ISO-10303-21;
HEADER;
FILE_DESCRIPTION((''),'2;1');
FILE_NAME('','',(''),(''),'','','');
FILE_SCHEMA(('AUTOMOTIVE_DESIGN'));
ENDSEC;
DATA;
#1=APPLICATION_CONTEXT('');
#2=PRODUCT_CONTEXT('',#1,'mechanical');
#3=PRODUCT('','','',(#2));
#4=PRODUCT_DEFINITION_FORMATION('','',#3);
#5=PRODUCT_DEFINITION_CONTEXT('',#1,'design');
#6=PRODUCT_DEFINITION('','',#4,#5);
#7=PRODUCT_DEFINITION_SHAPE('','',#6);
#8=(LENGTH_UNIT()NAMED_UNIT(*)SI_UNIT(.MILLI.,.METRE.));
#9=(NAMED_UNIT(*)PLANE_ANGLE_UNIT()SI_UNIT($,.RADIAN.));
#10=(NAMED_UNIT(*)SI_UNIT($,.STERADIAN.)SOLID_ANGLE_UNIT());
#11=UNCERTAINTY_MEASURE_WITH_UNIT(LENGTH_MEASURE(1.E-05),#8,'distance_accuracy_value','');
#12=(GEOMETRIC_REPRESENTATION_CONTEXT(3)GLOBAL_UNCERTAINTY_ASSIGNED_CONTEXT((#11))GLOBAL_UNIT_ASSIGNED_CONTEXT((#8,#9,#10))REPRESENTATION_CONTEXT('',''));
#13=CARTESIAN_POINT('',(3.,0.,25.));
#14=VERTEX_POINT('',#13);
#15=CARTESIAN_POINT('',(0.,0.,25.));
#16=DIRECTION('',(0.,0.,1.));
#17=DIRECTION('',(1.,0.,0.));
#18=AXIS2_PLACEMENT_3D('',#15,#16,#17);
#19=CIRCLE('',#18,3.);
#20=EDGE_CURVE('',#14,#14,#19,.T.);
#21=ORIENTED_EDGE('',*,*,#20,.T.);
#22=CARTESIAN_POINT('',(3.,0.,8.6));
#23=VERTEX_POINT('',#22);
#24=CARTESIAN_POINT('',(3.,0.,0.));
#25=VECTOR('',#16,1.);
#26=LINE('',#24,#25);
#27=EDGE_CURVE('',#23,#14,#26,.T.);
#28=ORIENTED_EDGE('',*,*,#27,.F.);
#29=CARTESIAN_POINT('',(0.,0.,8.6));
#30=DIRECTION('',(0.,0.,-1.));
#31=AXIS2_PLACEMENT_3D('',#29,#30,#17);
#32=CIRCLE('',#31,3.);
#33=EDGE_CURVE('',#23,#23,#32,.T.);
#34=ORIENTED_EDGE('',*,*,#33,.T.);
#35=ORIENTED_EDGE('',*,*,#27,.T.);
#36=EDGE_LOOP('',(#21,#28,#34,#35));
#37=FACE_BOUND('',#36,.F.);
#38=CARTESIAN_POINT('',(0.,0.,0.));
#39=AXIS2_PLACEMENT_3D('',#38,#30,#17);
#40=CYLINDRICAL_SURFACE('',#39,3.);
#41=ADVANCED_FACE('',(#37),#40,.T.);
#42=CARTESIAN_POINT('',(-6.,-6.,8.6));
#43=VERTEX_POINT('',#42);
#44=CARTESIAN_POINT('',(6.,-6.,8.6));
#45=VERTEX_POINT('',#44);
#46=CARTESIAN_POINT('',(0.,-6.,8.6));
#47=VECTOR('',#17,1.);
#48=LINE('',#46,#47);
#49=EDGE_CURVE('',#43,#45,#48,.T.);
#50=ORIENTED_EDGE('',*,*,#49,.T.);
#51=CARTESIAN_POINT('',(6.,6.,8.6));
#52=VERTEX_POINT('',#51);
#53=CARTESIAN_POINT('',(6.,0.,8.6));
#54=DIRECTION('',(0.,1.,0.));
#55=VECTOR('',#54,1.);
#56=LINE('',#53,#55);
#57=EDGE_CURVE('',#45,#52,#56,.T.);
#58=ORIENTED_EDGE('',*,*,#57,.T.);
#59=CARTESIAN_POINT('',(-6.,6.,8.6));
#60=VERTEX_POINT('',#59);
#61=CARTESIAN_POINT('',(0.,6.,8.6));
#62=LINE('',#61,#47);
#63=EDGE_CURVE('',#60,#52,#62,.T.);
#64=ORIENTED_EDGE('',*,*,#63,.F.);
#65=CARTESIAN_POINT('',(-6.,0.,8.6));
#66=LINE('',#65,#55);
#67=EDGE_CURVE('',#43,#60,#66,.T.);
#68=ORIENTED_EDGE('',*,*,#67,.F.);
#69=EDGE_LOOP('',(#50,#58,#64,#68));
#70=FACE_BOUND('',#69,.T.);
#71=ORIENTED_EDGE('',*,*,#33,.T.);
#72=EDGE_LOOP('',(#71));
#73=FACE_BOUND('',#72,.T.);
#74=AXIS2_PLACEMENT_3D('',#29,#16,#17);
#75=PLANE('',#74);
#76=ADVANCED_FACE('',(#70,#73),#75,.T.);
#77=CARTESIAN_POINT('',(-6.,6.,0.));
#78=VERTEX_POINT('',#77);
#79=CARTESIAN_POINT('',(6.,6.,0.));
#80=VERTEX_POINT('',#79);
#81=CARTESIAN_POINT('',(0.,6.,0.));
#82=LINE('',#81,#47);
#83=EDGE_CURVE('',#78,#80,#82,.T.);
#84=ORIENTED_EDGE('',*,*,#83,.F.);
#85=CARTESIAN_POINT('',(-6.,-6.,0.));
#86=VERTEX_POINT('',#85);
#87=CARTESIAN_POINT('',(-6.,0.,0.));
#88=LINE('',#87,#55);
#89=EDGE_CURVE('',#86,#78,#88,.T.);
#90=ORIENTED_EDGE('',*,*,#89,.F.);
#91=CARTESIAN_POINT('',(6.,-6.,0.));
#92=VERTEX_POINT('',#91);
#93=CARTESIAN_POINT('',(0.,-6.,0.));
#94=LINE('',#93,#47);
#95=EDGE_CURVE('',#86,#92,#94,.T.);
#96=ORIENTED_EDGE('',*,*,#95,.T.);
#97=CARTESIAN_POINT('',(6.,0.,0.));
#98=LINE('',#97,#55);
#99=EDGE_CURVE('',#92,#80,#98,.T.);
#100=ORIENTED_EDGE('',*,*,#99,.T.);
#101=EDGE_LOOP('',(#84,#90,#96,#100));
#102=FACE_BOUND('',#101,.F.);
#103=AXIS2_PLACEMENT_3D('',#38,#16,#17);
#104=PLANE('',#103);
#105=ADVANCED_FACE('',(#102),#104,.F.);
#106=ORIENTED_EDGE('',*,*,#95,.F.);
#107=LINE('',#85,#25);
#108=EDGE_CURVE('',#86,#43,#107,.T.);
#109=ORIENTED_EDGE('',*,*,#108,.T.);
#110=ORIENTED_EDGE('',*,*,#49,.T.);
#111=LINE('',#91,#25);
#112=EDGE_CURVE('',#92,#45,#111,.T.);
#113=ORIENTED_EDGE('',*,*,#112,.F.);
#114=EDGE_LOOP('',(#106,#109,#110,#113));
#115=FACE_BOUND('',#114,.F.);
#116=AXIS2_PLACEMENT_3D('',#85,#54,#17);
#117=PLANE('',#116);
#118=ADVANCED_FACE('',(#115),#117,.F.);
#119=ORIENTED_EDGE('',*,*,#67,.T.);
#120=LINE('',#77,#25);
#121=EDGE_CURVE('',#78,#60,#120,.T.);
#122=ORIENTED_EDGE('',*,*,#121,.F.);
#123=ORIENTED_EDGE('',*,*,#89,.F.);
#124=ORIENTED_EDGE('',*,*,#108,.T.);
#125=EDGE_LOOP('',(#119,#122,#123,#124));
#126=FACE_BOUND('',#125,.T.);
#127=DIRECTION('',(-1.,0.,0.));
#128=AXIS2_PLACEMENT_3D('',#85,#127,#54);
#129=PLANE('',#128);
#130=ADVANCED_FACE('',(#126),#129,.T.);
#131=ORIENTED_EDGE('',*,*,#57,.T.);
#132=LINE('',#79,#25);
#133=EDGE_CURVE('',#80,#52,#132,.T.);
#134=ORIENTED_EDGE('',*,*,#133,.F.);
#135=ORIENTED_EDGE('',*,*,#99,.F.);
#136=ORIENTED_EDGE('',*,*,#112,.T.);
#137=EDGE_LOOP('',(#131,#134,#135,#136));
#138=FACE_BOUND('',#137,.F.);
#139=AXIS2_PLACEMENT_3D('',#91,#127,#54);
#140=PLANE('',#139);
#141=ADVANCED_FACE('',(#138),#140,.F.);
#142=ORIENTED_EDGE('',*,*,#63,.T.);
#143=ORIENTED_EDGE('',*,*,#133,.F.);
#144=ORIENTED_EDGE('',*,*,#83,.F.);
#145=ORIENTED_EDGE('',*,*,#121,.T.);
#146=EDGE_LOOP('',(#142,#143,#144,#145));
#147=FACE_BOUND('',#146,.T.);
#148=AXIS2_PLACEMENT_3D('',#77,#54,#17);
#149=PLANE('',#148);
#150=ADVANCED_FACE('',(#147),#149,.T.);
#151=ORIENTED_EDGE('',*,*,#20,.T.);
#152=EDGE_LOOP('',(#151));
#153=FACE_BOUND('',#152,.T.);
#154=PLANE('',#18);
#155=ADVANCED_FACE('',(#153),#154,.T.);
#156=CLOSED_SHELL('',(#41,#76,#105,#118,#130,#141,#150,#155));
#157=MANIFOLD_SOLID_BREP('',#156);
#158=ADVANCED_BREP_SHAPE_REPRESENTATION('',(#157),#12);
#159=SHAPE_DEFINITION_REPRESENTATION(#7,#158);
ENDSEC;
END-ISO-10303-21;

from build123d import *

# Parameters (mm, degrees)
BOX012_W          = 12
BOX012_H          = 12
BOX012_DEPTH      = 8.6
CYLINDER003_R     = 3
CYLINDER003_DEPTH = 25


with BuildPart() as part:
    # Box012 → Box012 (join)
    with BuildSketch(Plane(origin=(-6, -6, 0), x_dir=(1, 0, 0), z_dir=(0, 0, 1))):
        with Locations((6, 6)):
            Rectangle(BOX012_W, BOX012_H)
    extrude(amount=BOX012_DEPTH)

    # Cylinder003 → Cylinder003 (join)
    with BuildSketch(Plane.XY):
        Circle(CYLINDER003_R)
    extrude(amount=CYLINDER003_DEPTH)


solid = part.part
